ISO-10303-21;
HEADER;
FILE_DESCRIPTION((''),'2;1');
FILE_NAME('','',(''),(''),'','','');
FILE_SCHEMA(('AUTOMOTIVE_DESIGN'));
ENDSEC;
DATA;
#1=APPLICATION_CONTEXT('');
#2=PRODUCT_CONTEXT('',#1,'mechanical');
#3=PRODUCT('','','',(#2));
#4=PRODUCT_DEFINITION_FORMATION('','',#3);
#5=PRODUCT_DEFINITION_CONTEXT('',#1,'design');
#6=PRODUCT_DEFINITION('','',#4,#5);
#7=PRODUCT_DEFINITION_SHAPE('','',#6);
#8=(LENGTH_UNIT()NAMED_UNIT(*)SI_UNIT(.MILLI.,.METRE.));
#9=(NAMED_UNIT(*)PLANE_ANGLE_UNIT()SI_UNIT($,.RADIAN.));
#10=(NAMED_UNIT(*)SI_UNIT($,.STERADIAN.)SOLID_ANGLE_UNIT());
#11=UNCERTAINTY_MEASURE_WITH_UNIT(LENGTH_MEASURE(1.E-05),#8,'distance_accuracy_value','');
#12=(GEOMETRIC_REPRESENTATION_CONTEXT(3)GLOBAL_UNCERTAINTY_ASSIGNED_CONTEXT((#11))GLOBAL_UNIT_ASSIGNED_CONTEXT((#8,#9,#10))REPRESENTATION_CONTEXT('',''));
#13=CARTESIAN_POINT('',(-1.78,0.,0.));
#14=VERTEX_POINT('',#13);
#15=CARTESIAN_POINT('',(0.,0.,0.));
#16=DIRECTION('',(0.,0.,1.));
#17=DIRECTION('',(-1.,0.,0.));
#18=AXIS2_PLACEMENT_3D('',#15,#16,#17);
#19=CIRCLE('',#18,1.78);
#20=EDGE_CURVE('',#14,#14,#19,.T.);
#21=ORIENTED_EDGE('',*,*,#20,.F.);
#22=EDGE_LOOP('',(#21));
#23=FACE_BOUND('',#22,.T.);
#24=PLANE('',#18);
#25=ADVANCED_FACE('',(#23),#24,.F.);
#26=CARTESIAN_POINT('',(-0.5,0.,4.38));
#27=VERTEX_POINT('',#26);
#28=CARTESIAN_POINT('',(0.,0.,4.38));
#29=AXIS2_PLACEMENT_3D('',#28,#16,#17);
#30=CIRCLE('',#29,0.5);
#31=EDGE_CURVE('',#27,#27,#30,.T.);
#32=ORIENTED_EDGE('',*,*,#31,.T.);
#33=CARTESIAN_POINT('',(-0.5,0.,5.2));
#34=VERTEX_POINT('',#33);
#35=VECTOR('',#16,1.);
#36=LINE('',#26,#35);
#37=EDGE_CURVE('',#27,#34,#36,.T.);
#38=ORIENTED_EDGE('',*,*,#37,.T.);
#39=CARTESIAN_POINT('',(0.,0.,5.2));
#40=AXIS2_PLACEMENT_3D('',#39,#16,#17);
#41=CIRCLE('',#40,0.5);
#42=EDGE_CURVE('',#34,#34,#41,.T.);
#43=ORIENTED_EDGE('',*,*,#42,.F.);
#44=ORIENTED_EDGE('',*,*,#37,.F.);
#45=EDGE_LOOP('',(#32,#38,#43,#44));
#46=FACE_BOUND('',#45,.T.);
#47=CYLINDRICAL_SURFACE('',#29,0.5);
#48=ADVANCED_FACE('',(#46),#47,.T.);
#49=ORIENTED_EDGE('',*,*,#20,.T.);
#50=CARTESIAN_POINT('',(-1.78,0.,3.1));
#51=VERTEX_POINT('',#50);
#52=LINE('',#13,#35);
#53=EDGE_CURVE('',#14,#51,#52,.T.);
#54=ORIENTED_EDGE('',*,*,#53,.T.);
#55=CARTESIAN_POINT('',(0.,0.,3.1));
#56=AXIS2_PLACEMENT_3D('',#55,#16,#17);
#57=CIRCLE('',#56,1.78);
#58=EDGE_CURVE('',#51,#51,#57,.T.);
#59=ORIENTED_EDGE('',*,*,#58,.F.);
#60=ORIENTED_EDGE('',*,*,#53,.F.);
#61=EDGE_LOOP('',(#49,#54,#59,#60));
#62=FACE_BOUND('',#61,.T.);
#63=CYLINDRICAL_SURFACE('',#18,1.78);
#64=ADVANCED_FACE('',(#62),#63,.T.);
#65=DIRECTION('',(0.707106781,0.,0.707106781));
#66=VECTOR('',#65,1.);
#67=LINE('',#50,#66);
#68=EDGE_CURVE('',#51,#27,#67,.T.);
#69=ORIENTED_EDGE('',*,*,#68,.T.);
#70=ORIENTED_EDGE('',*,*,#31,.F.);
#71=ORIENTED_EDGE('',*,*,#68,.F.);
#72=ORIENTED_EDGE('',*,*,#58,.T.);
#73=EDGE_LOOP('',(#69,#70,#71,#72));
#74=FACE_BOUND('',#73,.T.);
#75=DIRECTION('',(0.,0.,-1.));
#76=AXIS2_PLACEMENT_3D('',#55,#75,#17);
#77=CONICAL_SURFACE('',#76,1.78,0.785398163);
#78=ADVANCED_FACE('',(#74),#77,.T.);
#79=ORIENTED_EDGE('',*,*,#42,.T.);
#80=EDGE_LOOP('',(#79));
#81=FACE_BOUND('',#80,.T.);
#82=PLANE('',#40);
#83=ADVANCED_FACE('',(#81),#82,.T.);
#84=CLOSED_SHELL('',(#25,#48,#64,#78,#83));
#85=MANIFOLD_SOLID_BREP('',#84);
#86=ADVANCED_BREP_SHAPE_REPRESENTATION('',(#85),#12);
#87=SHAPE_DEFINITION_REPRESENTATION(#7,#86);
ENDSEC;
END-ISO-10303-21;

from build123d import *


with BuildPart() as part:
    # Sketch → Revolution (revolve)
    with BuildSketch(Plane.XZ):
        Polygon((0, 0), (-1.78, 0), (-1.78, 3.1), (-0.5, 4.38), (-0.5, 5.2), (0, 5.2), align=None)
    revolve(axis=Axis((0, 0, 0), (0, 0, 1)))


solid = part.part
